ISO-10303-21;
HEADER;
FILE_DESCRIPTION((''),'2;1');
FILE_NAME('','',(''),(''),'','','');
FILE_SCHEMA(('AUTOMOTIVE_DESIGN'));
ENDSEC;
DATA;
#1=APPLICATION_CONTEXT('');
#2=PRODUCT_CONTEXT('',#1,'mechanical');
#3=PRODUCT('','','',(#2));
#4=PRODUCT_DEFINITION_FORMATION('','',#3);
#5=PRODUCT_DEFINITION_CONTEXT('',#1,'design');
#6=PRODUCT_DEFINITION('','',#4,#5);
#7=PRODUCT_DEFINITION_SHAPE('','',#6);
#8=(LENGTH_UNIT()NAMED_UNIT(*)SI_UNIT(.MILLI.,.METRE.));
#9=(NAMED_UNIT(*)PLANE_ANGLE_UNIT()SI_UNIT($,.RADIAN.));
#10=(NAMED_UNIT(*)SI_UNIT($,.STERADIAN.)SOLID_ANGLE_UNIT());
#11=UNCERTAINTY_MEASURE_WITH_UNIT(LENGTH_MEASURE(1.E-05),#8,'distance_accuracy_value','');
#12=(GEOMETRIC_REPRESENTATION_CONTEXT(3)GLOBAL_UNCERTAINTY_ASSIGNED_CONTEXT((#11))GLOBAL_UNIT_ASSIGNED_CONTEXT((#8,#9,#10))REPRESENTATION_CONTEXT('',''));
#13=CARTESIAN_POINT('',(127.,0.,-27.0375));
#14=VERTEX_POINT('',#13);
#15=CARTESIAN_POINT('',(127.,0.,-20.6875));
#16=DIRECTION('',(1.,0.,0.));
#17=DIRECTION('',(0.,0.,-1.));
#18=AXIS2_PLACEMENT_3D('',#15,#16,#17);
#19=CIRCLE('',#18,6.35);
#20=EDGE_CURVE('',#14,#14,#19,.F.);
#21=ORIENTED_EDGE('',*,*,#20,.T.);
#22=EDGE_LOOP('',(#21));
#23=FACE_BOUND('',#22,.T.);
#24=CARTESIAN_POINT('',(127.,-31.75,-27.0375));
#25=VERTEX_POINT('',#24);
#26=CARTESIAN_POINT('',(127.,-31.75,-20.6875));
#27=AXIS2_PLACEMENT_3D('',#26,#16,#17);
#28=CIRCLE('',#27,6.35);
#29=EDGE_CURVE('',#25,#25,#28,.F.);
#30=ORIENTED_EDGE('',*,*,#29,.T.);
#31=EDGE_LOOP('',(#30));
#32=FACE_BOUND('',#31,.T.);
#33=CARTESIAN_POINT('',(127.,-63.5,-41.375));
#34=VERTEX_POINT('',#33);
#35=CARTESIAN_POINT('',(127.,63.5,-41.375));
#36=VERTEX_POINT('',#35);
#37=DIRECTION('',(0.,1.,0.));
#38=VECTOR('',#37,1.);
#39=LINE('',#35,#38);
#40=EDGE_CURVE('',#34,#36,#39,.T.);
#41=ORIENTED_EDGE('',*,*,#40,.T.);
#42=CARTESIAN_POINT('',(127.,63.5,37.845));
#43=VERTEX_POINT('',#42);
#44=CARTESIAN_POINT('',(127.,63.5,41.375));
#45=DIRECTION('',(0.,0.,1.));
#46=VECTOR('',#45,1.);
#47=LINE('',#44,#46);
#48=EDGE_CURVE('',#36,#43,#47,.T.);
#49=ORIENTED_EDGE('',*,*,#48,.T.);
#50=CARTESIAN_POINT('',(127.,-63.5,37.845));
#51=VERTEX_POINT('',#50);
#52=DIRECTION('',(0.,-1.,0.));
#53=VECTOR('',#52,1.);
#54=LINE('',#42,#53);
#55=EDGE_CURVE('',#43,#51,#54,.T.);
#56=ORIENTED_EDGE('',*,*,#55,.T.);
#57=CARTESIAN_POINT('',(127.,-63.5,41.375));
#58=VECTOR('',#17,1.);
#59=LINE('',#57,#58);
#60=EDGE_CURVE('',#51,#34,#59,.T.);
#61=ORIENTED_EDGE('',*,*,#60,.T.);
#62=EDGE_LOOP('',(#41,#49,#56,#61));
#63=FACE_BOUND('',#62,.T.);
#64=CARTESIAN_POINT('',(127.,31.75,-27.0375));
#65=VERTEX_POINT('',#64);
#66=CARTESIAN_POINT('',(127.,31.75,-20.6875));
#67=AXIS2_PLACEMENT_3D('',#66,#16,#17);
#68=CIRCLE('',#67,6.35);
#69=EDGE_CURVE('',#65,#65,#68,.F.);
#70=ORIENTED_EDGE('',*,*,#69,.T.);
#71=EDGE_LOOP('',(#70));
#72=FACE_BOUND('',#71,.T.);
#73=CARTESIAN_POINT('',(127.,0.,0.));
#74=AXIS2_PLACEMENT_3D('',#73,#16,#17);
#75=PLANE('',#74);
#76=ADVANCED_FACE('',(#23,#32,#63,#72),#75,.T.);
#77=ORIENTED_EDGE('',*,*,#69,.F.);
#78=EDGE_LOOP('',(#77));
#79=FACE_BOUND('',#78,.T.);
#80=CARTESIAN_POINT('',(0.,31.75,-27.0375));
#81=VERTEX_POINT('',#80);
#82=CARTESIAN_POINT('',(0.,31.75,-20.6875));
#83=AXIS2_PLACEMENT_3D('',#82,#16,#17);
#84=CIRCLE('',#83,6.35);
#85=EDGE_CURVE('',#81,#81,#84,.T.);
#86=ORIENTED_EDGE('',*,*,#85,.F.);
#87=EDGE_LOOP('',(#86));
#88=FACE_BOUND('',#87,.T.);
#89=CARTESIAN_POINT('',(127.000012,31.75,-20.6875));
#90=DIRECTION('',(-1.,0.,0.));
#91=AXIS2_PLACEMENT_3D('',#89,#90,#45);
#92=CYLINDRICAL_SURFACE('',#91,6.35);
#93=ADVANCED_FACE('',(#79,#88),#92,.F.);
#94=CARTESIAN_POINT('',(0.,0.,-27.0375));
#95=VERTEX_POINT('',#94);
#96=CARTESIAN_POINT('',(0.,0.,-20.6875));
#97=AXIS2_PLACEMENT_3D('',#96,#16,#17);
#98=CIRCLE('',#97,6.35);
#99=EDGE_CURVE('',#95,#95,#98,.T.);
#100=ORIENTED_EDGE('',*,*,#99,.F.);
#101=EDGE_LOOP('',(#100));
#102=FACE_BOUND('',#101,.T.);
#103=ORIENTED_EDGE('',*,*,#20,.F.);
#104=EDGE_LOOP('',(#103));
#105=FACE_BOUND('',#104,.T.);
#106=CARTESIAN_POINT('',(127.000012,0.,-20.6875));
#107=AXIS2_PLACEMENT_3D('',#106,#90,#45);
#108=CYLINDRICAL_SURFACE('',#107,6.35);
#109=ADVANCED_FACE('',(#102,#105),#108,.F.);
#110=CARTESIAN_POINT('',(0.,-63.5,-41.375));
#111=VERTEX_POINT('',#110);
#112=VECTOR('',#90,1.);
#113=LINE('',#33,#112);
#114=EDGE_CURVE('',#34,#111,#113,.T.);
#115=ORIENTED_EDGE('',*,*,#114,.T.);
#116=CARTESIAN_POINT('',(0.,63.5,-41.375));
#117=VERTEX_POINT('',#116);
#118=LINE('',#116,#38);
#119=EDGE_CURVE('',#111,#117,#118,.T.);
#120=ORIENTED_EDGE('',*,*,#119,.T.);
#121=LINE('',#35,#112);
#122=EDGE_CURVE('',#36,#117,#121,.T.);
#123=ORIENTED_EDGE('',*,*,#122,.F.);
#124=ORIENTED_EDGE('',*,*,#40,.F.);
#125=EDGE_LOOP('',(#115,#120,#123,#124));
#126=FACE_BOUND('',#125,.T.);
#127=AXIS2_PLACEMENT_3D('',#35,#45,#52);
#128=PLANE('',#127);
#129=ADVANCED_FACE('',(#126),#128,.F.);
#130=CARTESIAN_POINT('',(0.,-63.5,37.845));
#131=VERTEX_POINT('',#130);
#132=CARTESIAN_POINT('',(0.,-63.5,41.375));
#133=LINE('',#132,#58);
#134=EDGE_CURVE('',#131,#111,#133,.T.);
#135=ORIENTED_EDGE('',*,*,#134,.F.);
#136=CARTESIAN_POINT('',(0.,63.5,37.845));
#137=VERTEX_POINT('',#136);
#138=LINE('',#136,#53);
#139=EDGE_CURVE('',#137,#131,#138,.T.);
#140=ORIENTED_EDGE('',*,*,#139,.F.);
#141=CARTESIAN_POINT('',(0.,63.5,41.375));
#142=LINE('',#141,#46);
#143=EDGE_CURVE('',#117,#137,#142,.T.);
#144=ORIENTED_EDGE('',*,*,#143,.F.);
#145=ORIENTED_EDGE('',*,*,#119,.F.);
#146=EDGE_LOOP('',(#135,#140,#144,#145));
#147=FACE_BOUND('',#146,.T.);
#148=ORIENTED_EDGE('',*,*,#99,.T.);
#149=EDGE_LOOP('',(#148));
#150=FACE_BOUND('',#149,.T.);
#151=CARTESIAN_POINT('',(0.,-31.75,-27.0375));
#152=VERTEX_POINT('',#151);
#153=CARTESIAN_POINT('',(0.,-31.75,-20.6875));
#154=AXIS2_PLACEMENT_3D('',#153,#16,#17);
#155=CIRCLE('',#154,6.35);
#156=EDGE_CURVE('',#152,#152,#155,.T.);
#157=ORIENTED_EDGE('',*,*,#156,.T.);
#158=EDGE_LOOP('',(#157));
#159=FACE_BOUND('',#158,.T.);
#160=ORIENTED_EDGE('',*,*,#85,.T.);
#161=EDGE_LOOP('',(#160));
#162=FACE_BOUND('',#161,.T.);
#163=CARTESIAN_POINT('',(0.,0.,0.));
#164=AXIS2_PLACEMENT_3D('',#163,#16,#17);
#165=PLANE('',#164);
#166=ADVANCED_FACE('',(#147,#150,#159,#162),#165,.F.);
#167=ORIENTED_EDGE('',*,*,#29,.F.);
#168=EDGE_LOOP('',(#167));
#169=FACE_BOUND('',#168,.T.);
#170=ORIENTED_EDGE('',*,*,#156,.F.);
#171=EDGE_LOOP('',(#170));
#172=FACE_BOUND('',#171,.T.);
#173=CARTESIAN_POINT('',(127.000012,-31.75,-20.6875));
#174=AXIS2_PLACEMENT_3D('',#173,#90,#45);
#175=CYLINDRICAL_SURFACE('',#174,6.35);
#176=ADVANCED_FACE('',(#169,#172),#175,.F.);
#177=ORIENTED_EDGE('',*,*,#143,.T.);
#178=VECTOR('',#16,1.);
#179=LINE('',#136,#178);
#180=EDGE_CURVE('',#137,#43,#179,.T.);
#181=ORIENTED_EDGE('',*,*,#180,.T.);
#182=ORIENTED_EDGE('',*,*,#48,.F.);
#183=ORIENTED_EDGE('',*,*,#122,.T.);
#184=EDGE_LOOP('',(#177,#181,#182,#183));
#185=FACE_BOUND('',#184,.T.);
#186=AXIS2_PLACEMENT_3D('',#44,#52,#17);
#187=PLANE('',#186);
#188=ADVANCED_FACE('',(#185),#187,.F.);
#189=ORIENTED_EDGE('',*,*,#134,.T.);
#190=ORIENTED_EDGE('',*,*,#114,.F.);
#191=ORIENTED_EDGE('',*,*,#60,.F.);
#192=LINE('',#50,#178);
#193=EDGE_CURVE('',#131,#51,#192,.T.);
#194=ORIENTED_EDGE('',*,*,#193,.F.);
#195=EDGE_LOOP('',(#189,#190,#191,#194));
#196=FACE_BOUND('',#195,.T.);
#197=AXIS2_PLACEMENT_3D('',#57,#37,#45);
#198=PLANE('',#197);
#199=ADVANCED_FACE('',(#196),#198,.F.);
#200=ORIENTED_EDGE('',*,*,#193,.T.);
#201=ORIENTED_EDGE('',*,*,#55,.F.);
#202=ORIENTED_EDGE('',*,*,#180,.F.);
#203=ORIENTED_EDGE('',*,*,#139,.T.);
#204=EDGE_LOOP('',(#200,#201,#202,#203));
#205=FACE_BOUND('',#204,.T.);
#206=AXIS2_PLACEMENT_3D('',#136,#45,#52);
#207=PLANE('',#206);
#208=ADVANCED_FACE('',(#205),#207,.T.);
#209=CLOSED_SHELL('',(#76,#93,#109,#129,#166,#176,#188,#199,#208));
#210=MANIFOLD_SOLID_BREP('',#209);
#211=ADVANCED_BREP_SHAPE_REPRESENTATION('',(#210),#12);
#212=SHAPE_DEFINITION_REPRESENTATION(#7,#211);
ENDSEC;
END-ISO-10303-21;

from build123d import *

# Parameters (mm, degrees)
SKETCH1_W               = 82.75
SKETCH1_H               = 127
BOSS_EXTRUDE1_DEPTH     = 127
SKETCH2_R               = 6.35
CUT_EXTRUDE1_DEPTH      = 1
CUT_EXTRUDE1_DEPTH_BACK = 127
SKETCH3_W               = 28.753041512
SKETCH3_H               = 129.689601996
CUT_EXTRUDE2_DEPTH      = 127
SKETCH6_W               = 3.210142998
SKETCH6_H               = 200
CUT_EXTRUDE3_DEPTH      = 128


with BuildPart() as part:
    # Sketch1 → Boss-Extrude1 (new body)
    with BuildSketch(Plane(origin=(0, 0, 0), x_dir=(0, 0, -1), z_dir=(1, 0, 0))):
        Rectangle(SKETCH1_W, SKETCH1_H)
    extrude(amount=BOSS_EXTRUDE1_DEPTH)

    # Sketch2 → Cut-Extrude1 (cut, two sides)
    with BuildSketch(Plane(origin=(127, 0, 0), x_dir=(0, 0, -1), z_dir=(1, 0, 0))) as cut_extrude1_sk:
        with Locations((20.6875, 31.75)):
            Circle(SKETCH2_R)
        with Locations((20.6875, -31.75)):
            Circle(SKETCH2_R)
        with Locations((20.6875, 0)):
            Circle(SKETCH2_R)
    extrude(amount=CUT_EXTRUDE1_DEPTH, mode=Mode.SUBTRACT)
    extrude(cut_extrude1_sk.sketch, amount=-CUT_EXTRUDE1_DEPTH_BACK, mode=Mode.SUBTRACT)

    # Sketch3 → Cut-Extrude2 (cut)
    with BuildSketch(Plane(origin=(127, 0, 0), x_dir=(0, 0, -1), z_dir=(1, 0, 0))):
        with Locations((-53.011520756, -1.344800998)):
            Rectangle(SKETCH3_W, SKETCH3_H)
    extrude(amount=-CUT_EXTRUDE2_DEPTH, mode=Mode.SUBTRACT)

    # Sketch6 → Cut-Extrude3 (cut, through all)
    with BuildSketch(Plane(origin=(127, 0, 0), x_dir=(0, 0, -1), z_dir=(1, 0, 0))):
        with Locations((-39.450071499, -36.5)):
            Rectangle(SKETCH6_W, SKETCH6_H)
    extrude(amount=-CUT_EXTRUDE3_DEPTH, mode=Mode.SUBTRACT)


solid = part.part
